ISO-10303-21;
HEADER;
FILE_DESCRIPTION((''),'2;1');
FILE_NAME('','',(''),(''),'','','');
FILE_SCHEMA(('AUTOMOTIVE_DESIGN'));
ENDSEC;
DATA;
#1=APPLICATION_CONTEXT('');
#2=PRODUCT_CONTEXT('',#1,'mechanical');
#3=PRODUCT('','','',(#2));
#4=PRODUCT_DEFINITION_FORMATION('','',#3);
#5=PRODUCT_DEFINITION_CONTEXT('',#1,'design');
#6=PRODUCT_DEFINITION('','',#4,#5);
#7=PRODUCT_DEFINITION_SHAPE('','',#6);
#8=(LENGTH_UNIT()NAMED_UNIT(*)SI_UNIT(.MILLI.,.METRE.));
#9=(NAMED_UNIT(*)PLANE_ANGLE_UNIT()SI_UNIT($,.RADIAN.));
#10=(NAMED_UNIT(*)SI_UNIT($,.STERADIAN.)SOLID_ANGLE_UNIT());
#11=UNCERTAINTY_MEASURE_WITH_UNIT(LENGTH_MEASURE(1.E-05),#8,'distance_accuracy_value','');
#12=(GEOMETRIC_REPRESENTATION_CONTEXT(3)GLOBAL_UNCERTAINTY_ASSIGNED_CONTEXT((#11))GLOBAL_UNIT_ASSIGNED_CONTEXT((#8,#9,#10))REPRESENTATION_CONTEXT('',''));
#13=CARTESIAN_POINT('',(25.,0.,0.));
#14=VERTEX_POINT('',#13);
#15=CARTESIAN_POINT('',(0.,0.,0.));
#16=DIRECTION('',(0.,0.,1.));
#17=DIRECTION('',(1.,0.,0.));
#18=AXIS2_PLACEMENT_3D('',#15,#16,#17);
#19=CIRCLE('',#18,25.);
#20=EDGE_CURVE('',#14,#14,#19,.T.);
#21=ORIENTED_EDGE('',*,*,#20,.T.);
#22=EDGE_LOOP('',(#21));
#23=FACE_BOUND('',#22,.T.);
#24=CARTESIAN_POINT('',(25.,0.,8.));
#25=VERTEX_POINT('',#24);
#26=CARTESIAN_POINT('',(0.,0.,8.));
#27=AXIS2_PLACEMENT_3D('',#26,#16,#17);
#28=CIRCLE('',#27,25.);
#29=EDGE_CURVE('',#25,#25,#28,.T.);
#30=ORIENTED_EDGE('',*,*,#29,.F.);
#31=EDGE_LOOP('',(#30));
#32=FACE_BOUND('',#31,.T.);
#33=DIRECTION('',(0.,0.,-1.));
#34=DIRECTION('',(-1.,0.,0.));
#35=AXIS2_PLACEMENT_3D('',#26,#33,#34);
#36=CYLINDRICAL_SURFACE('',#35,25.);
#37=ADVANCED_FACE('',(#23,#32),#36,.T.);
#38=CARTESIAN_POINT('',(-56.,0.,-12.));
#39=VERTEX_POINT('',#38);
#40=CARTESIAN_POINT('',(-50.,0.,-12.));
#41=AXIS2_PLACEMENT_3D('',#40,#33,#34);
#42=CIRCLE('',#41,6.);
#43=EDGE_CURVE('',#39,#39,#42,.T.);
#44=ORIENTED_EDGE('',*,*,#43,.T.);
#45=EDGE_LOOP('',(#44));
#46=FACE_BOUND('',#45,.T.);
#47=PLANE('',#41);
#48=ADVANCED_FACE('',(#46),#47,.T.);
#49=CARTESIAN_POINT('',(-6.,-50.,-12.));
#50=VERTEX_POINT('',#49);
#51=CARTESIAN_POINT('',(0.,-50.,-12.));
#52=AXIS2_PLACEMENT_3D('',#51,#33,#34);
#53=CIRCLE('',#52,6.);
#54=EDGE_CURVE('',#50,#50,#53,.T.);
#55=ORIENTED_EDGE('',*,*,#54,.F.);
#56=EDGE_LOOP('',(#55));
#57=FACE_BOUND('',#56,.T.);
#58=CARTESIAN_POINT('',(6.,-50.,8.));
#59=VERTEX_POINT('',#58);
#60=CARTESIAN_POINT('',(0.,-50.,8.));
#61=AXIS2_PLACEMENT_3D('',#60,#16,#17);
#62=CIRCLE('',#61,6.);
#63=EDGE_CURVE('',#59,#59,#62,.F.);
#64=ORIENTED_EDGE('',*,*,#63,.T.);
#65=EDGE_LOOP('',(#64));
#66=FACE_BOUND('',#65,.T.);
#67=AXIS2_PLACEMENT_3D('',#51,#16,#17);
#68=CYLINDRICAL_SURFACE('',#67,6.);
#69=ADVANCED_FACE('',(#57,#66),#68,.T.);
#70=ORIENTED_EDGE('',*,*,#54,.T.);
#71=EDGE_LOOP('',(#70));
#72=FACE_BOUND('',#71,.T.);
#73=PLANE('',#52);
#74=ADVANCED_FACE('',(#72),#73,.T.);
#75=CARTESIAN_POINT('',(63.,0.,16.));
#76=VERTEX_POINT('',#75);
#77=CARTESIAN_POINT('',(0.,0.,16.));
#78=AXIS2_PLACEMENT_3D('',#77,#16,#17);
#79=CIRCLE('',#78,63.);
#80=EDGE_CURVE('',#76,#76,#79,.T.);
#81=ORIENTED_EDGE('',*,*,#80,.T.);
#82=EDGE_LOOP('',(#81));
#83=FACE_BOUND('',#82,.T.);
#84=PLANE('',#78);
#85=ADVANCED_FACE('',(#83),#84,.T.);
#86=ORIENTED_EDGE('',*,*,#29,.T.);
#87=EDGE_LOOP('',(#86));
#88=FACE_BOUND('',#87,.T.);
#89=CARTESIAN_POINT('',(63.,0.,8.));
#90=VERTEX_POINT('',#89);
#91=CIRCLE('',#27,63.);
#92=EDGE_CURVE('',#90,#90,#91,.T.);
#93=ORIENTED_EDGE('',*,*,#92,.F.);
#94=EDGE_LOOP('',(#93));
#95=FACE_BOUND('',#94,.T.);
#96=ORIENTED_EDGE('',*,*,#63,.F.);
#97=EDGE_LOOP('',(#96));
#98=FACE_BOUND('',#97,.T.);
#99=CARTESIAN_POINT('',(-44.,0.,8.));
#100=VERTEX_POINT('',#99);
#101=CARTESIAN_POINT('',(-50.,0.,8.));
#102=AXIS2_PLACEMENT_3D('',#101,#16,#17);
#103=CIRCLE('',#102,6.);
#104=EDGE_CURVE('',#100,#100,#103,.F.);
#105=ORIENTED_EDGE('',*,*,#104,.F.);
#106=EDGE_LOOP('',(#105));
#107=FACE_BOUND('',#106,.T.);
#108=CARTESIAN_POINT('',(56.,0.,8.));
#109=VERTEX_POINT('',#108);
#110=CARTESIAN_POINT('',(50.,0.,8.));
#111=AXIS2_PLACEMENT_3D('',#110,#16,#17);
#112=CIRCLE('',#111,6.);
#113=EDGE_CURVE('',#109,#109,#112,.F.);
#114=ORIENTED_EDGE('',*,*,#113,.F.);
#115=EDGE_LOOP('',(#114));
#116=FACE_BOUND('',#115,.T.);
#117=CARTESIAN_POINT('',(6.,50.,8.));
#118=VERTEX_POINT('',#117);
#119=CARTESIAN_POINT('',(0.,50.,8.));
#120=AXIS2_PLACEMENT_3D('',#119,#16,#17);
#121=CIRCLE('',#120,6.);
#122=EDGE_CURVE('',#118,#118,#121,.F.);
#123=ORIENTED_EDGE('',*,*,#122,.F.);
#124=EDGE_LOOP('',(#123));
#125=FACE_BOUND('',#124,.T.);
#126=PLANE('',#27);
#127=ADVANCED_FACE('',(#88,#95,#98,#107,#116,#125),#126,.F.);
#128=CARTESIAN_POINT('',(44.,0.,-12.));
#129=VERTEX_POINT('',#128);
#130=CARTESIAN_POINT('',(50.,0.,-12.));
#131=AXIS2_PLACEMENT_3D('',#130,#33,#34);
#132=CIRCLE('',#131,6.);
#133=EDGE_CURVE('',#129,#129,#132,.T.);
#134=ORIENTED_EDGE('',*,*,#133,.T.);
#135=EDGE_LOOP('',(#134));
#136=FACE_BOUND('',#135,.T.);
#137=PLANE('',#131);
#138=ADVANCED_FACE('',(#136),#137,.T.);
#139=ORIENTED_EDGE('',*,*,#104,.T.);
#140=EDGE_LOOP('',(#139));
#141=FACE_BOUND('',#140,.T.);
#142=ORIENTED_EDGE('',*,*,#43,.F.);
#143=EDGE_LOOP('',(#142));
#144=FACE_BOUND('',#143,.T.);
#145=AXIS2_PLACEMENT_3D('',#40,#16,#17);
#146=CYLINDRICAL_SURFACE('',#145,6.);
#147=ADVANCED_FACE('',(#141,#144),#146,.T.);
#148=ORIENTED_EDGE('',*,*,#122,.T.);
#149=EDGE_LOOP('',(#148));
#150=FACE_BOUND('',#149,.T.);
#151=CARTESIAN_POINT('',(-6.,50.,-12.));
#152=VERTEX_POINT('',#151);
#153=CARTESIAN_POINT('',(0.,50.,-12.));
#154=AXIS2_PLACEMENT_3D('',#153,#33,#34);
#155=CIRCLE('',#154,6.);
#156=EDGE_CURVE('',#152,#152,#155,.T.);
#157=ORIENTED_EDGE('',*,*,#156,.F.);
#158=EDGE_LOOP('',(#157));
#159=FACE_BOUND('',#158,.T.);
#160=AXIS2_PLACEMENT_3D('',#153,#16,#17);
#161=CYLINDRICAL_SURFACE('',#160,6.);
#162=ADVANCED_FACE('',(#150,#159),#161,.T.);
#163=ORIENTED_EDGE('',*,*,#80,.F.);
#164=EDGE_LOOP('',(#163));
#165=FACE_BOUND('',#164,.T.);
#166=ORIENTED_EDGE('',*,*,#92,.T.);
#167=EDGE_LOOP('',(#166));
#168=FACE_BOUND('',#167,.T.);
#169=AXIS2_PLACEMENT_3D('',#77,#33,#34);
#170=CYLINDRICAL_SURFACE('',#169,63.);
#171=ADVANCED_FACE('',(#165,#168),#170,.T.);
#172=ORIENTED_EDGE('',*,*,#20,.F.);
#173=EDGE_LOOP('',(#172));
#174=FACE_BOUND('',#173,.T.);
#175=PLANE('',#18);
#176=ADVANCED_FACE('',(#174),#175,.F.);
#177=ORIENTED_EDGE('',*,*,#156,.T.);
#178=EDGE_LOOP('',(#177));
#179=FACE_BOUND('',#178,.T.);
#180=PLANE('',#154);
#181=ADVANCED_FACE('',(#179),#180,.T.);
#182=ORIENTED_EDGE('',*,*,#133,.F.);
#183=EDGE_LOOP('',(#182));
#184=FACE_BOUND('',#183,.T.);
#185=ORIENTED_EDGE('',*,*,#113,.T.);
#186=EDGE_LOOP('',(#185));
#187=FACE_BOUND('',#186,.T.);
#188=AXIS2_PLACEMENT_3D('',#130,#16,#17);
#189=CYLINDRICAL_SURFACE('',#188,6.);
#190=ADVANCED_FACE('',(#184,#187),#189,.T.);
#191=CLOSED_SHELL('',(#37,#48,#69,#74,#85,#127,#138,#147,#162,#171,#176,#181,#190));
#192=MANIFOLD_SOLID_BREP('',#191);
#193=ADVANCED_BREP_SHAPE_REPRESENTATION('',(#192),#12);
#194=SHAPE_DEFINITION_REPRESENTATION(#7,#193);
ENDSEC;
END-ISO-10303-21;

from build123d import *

# Parameters (mm, degrees)
SKETCH1_R           = 25
BOSS_EXTRUDE1_DEPTH = 8
SKETCH2_R           = 63
BOSS_EXTRUDE2_DEPTH = 8
SKETCH4_R           = 6
BOSS_EXTRUDE3_DEPTH = 20


with BuildPart() as part:
    # Sketch1 → Boss-Extrude1 (new body)
    with BuildSketch(Plane.XY):
        Circle(SKETCH1_R)
    extrude(amount=BOSS_EXTRUDE1_DEPTH)

    # Sketch2 → Boss-Extrude2 (add)
    with BuildSketch(Plane.XY.offset(8)):
        Circle(SKETCH2_R)
    extrude(amount=BOSS_EXTRUDE2_DEPTH)

    # Sketch4 → Boss-Extrude3 (add)
    with BuildSketch(Plane(origin=(0, 0, 8), x_dir=(-1, 0, 0), z_dir=(0, 0, -1))):
        with Locations((0, 50)):
            Circle(SKETCH4_R)
        with Locations((50, 0)):
            Circle(SKETCH4_R)
        with Locations((0, -50)):
            Circle(SKETCH4_R)
        with Locations((-50, 0)):
            Circle(SKETCH4_R)
    extrude(amount=BOSS_EXTRUDE3_DEPTH)


solid = part.part
